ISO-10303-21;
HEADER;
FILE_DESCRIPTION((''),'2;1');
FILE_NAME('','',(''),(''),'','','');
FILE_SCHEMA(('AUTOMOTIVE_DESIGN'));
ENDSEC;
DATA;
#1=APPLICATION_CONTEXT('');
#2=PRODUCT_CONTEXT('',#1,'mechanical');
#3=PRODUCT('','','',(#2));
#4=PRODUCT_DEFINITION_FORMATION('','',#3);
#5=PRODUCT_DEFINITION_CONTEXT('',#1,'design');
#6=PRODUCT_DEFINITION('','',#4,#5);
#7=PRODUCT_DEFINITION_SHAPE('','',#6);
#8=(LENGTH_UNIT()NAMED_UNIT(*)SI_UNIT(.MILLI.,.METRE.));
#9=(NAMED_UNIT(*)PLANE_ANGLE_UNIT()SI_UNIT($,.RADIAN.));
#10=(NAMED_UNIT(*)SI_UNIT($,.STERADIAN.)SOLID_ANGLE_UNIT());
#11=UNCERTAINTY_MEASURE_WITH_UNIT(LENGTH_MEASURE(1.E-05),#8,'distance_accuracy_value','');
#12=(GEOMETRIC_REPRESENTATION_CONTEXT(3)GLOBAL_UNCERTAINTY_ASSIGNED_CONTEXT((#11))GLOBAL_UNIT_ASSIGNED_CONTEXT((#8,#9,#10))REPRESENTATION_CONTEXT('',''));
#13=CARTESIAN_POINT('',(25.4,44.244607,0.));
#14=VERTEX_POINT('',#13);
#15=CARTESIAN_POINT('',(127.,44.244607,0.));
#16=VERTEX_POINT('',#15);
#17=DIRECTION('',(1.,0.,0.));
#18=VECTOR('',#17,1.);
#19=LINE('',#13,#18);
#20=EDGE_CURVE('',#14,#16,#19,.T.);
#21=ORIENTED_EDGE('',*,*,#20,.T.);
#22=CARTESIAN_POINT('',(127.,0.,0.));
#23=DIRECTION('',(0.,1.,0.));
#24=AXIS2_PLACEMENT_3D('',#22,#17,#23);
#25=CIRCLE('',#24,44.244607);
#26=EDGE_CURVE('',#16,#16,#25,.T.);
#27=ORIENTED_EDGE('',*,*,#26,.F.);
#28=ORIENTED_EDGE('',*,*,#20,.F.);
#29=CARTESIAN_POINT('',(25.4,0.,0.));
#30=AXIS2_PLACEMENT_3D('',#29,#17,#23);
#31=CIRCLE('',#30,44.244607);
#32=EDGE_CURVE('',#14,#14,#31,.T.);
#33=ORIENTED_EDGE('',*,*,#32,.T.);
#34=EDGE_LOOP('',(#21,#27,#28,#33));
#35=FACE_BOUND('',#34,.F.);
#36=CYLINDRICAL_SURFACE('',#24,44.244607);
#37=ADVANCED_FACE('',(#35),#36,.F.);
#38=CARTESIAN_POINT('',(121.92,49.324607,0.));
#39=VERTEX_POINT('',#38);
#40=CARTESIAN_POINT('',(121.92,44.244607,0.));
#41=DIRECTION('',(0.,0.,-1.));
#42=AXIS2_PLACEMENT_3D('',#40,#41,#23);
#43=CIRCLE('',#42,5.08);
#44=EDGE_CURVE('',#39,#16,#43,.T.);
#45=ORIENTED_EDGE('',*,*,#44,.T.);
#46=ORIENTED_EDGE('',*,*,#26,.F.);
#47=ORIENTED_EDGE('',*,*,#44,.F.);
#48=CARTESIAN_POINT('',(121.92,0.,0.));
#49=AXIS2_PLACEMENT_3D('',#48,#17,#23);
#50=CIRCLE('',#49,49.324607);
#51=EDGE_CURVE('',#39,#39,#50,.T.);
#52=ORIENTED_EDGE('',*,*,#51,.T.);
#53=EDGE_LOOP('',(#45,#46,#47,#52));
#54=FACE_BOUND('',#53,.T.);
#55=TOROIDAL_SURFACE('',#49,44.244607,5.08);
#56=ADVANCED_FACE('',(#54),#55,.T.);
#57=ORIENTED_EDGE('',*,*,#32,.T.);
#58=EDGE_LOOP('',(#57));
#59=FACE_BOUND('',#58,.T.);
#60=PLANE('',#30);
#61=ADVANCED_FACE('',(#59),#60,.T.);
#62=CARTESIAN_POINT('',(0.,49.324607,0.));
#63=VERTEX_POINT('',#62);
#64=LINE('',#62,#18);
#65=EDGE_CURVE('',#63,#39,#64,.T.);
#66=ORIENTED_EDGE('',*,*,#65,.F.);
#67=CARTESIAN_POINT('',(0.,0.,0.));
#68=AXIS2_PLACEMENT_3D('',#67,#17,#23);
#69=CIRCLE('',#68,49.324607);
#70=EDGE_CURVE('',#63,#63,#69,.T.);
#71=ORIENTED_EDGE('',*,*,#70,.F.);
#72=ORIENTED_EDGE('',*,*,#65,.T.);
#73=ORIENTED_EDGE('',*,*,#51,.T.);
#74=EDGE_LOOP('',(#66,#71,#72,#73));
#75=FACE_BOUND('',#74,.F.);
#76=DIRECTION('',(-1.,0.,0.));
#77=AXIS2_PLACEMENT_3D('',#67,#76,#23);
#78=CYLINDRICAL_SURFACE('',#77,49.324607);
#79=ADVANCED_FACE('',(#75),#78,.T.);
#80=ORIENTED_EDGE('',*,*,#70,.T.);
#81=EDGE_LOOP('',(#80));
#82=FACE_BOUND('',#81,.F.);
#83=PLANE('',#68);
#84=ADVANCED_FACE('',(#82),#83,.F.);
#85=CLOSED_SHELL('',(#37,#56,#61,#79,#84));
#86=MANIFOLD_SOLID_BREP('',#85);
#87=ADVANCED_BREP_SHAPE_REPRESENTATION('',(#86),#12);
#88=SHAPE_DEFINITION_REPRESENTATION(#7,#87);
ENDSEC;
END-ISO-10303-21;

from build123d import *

# Parameters (mm, degrees)
F0_R     = 49.3246068697
F1_DEPTH = 127
F2_R     = 5.08
F3_DEPTH = 25.4
F4_DEPTH = 25.4
F5_DEPTH = 25.4
F6_DEPTH = 25.4


with BuildPart() as f1:
    # F0 (on Right) → F1 (new body)
    with BuildSketch(Plane.YZ):
        Circle(F0_R)
    extrude(amount=F1_DEPTH)

    # F2
    f2_edges = [f1.edges().sort_by_distance(p)[0] for p in [
        (127, -49.324607, 0),
    ]]
    fillet(f2_edges, radius=F2_R)

    # F3 (cut): a face of the model
    f3_faces = [f1.faces().sort_by_distance(p)[0] for p in [
        (127, 0, 0),
    ]]
    extrude(f3_faces, amount=-F3_DEPTH, mode=Mode.SUBTRACT)

    # F4 (cut): a face of the model
    f4_faces = [f1.faces().sort_by_distance(p)[0] for p in [
        (101.6, 0, 0),
    ]]
    extrude(f4_faces, amount=-F4_DEPTH, mode=Mode.SUBTRACT)

    # F5 (cut): a face of the model
    f5_faces = [f1.faces().sort_by_distance(p)[0] for p in [
        (76.2, 0, 0),
    ]]
    extrude(f5_faces, amount=-F5_DEPTH, mode=Mode.SUBTRACT)

    # F6 (cut): a face of the model
    f6_faces = [f1.faces().sort_by_distance(p)[0] for p in [
        (50.8, 0, 0),
    ]]
    extrude(f6_faces, amount=-F6_DEPTH, mode=Mode.SUBTRACT)


solid = f1.part
